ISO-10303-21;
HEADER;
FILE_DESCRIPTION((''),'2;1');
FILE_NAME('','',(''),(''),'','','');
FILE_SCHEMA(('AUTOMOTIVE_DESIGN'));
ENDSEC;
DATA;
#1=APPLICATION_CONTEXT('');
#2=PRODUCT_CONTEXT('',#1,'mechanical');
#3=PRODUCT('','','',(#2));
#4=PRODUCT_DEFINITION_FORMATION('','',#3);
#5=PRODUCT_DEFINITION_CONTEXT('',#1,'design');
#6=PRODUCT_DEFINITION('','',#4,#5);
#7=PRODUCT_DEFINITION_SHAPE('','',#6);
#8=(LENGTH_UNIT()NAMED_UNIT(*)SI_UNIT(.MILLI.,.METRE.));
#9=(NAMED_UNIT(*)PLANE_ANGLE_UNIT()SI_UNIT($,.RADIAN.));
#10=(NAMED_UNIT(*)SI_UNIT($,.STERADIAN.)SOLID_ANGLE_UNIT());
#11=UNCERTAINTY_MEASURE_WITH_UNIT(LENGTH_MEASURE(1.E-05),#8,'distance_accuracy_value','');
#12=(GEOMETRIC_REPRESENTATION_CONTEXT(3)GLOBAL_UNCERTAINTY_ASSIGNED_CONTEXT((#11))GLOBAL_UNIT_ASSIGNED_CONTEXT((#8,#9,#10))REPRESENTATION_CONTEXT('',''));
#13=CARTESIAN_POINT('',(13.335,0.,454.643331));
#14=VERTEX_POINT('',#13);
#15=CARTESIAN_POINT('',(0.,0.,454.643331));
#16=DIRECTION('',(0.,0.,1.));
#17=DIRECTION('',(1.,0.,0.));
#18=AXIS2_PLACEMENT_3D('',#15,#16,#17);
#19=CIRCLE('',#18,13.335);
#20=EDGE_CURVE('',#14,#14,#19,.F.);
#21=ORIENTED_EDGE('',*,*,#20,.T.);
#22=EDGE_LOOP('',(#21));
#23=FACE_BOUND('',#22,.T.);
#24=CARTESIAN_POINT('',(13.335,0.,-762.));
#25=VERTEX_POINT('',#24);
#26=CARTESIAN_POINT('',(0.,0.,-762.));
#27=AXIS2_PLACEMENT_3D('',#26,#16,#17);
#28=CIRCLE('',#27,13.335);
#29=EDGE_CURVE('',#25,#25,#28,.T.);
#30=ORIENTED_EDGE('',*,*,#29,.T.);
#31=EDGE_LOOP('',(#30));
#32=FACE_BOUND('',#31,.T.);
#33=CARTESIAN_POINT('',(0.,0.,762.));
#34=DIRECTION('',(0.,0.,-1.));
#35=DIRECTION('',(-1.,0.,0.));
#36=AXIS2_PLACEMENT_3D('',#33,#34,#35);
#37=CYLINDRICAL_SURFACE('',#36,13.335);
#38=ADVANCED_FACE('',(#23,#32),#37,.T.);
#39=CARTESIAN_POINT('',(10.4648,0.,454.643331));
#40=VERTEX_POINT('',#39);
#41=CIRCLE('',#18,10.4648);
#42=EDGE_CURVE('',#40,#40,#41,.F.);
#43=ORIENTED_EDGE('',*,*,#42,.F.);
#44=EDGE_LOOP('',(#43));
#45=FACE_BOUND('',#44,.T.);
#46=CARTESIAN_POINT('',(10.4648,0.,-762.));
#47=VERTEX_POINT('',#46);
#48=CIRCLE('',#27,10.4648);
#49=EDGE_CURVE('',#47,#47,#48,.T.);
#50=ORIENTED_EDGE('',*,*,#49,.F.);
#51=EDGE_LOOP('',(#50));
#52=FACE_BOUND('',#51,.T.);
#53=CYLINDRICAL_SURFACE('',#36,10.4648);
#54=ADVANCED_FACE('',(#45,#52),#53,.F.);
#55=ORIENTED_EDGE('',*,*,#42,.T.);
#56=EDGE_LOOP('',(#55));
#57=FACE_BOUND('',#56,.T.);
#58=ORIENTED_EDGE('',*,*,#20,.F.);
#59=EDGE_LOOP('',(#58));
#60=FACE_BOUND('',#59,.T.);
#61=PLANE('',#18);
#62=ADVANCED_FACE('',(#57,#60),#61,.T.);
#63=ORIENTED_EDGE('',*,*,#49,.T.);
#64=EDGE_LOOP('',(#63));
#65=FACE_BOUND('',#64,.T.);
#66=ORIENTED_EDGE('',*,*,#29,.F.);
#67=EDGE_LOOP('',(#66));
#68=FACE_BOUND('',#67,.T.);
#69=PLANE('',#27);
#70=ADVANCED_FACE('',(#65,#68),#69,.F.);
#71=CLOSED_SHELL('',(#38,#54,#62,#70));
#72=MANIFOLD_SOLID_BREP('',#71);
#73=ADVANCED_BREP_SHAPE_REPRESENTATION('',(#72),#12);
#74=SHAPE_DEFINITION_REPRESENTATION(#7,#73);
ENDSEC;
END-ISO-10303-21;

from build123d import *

# Parameters (mm, degrees)
SKETCH3_R                = 13.335
SKETCH3_R_2              = 10.4648
BOSS_EXTRUDE1_DEPTH      = 762
BOSS_EXTRUDE1_DEPTH_BACK = 762
SKETCH4_R                = 13.335
SKETCH4_R_2              = 10.4648
CUT_EXTRUDE2_DEPTH       = 307.356669


with BuildPart() as part:
    # Sketch3 → Boss-Extrude1 (new body, two sides)
    with BuildSketch(Plane.XY) as boss_extrude1_sk:
        Circle(SKETCH3_R)
        Circle(SKETCH3_R_2, mode=Mode.SUBTRACT)
    extrude(amount=BOSS_EXTRUDE1_DEPTH)
    extrude(boss_extrude1_sk.sketch, amount=-BOSS_EXTRUDE1_DEPTH_BACK)

    # Sketch4 → Cut-Extrude2 (cut)
    with BuildSketch(Plane.XY.offset(762)):
        Circle(SKETCH4_R)
        Circle(SKETCH4_R_2, mode=Mode.SUBTRACT)
    extrude(amount=-CUT_EXTRUDE2_DEPTH, mode=Mode.SUBTRACT)


solid = part.part
